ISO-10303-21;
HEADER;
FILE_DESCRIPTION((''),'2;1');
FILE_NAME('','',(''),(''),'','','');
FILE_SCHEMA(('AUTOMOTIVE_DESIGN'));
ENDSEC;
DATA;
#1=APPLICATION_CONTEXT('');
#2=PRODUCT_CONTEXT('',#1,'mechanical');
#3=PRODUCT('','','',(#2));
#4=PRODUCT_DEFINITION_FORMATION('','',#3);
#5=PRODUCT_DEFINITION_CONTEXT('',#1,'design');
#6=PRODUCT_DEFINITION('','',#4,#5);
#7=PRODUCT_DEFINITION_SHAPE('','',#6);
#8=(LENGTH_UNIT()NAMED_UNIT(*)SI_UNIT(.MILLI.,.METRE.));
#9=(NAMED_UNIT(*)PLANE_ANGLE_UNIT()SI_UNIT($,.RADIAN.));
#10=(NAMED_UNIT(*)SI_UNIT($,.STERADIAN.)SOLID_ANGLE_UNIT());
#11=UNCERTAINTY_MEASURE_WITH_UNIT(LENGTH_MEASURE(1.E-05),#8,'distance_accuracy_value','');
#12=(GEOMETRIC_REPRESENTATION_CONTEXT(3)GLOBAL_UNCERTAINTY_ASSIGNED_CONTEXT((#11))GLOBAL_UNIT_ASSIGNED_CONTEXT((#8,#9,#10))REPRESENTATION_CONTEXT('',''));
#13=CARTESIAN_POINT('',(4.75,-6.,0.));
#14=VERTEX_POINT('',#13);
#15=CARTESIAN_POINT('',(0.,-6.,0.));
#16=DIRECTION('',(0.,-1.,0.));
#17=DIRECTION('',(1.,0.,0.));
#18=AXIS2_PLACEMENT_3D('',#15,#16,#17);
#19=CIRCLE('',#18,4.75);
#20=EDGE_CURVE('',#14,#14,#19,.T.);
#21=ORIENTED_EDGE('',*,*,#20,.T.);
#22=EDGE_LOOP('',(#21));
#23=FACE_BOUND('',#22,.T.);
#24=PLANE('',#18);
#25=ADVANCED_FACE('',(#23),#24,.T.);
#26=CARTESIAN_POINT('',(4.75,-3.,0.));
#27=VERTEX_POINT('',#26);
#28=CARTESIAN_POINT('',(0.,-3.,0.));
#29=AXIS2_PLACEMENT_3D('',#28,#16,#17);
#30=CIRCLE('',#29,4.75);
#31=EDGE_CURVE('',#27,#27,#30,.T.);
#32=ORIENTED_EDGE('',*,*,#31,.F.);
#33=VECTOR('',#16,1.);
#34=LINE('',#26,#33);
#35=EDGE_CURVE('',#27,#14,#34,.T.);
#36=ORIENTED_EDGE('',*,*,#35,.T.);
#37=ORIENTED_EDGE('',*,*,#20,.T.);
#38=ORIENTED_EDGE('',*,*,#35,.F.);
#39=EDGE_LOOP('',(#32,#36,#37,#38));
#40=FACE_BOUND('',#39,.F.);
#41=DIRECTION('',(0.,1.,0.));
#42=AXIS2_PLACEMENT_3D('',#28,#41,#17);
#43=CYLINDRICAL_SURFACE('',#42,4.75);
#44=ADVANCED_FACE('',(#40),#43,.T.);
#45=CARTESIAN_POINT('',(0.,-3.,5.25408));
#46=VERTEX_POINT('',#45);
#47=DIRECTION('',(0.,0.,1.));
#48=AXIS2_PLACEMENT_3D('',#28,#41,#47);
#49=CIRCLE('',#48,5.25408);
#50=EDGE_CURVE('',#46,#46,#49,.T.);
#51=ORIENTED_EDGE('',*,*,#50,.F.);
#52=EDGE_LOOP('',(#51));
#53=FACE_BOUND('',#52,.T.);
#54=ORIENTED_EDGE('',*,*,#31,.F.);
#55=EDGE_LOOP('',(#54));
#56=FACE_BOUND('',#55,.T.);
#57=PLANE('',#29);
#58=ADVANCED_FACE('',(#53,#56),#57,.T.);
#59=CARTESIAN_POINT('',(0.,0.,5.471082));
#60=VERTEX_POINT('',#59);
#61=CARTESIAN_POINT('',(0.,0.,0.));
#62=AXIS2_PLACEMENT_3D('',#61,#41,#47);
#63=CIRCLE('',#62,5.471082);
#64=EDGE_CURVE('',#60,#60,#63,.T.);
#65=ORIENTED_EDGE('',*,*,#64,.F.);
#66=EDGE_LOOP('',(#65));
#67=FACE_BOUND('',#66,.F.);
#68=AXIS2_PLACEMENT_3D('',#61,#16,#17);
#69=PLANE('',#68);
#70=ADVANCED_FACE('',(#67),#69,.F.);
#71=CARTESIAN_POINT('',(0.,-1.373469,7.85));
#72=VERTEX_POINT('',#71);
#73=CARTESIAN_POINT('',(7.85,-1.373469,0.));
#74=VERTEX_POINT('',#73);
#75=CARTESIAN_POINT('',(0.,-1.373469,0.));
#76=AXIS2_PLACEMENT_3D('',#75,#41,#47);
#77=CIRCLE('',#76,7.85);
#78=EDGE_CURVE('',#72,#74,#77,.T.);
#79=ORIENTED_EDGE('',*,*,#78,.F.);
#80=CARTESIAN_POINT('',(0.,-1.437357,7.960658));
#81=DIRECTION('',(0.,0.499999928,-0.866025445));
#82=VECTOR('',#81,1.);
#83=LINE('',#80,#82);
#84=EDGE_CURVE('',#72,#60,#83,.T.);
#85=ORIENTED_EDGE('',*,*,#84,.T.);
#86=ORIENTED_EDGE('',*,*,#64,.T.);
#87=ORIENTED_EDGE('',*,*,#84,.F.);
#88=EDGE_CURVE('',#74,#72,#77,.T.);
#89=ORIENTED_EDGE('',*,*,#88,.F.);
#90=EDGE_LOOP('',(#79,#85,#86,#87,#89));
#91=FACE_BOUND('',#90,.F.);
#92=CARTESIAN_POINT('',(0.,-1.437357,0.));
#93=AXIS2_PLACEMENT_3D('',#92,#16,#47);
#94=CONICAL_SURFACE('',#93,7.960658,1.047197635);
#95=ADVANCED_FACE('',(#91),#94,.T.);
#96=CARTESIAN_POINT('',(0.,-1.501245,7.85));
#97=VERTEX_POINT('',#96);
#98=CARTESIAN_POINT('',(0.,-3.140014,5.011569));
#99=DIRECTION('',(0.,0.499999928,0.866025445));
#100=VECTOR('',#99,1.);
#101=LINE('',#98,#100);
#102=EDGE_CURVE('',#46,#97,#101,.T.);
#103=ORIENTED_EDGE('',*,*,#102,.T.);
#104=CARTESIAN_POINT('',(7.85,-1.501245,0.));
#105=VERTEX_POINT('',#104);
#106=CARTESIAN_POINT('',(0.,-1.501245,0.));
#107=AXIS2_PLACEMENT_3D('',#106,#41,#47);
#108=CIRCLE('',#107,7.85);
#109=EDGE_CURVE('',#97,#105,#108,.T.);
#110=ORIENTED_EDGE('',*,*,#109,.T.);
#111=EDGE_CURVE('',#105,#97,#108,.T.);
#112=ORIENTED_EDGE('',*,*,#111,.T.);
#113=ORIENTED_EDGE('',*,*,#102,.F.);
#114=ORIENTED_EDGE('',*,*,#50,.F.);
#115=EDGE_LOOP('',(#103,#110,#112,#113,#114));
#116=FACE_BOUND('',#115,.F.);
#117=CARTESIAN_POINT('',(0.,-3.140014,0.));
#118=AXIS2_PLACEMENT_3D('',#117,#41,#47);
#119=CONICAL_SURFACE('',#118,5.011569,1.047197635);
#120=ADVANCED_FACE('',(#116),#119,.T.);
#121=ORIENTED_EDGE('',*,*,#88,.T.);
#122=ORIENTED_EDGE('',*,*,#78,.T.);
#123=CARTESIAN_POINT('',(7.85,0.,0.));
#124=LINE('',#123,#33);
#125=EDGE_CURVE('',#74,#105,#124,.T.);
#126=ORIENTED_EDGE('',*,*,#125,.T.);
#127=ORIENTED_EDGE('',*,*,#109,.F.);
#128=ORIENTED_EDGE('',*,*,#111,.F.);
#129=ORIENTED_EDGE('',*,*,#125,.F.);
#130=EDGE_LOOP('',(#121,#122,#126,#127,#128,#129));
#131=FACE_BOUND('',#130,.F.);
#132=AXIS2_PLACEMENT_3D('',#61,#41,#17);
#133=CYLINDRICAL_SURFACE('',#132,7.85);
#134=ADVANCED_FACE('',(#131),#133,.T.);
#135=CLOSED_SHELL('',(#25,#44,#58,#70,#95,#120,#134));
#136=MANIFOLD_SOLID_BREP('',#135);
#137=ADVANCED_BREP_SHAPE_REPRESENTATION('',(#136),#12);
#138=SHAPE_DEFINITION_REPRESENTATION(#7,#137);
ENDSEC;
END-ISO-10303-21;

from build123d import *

# Parameters (mm, degrees)
F0_R     = 7.85
F1_DEPTH = 3
F2_R     = 4.75
F3_DEPTH = 3


with BuildPart() as f1:
    # F0 (on Front) → F1 (new body)
    with BuildSketch(Plane.XZ):
        Circle(F0_R)
    extrude(amount=F1_DEPTH)

    # F2 (on face) → F3 (join)
    with BuildSketch(Plane.XZ.offset(3)):
        Circle(F2_R)
    extrude(amount=F3_DEPTH)

    # F4 (on Right) → F5 (revolve, cut)
    with BuildSketch(Plane.YZ):
        Polygon((-3.140014, 5.011569), (-1.437357, 7.960658), (0.2653, 5.011569), (1.444096, 8.551884), (-3.541981, 9.199427), align=None)
    revolve(axis=Axis((0, -4.799199, 0), (0, -1, 0)), mode=Mode.SUBTRACT)


solid = f1.part
